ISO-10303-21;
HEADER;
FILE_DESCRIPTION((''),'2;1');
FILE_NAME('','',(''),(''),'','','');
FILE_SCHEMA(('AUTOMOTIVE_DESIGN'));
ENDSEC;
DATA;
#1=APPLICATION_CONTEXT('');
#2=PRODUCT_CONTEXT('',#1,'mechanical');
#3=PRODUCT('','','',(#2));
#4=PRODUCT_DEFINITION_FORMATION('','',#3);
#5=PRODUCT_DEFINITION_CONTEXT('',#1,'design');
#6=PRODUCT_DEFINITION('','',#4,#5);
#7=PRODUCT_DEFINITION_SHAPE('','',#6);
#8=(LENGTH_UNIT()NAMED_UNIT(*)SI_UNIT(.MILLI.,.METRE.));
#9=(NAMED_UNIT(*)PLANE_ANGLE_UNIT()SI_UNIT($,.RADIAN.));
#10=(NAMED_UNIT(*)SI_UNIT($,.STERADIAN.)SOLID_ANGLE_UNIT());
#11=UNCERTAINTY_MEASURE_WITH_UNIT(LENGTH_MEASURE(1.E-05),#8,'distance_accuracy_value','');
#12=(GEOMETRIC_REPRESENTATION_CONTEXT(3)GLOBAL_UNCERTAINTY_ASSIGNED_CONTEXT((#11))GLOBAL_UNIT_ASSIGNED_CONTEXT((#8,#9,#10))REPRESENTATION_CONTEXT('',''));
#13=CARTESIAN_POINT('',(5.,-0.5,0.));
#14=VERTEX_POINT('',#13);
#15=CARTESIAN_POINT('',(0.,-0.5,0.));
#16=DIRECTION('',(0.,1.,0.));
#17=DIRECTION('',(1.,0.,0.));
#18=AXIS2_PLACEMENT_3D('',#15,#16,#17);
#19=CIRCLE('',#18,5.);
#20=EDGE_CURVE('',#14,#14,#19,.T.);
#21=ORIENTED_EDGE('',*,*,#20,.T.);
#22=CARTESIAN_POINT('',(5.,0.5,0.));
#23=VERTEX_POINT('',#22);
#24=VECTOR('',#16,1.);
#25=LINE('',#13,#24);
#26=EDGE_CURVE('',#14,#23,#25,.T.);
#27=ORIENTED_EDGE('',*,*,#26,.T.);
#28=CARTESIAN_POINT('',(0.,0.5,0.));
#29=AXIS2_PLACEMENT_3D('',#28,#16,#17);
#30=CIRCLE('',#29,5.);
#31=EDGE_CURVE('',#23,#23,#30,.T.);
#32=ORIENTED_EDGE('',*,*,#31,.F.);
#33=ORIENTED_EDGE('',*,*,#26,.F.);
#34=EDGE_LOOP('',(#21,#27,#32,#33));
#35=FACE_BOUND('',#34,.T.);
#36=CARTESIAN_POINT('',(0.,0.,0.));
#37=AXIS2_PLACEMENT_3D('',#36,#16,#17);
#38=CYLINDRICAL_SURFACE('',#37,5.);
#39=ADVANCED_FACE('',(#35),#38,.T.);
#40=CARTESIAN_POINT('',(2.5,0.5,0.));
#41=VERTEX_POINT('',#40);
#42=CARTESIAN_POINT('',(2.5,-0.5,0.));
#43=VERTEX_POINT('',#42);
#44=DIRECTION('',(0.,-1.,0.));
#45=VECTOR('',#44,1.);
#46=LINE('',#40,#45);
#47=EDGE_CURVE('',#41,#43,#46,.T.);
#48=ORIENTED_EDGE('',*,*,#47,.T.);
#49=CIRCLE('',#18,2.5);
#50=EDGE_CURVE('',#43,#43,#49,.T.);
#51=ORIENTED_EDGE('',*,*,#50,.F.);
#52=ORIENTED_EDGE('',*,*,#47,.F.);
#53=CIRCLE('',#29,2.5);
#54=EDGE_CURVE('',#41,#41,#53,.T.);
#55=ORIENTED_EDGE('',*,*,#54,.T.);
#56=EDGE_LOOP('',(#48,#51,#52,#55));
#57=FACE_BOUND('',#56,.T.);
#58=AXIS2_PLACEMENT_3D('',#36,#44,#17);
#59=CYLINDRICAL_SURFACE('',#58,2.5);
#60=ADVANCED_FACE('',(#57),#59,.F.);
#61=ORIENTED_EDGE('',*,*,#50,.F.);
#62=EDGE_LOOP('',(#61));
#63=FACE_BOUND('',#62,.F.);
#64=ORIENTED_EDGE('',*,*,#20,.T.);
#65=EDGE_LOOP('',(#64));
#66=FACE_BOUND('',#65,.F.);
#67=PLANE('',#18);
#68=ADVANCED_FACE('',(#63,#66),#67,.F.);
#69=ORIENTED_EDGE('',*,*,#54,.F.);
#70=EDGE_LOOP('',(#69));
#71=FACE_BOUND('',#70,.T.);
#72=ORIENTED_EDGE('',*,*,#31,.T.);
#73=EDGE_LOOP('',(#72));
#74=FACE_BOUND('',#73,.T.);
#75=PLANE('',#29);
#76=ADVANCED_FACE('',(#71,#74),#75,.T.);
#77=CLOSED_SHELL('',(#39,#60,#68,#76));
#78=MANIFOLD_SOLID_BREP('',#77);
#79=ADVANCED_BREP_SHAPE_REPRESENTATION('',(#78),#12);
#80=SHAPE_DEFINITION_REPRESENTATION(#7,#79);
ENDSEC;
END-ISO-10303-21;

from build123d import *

# Parameters (mm, degrees)
SKETCH1_R           = 5
SKETCH1_R_2         = 2.5
BOSS_EXTRUDE1_DEPTH = 0.5


with BuildPart() as part:
    # Sketch1 → Boss-Extrude1 (new body, symmetric)
    with BuildSketch(Plane(origin=(0, 0, 0), x_dir=(1, 0, 0), z_dir=(0, 1, 0))):
        Circle(SKETCH1_R)
        Circle(SKETCH1_R_2, mode=Mode.SUBTRACT)
    extrude(amount=BOSS_EXTRUDE1_DEPTH, both=True)


solid = part.part
